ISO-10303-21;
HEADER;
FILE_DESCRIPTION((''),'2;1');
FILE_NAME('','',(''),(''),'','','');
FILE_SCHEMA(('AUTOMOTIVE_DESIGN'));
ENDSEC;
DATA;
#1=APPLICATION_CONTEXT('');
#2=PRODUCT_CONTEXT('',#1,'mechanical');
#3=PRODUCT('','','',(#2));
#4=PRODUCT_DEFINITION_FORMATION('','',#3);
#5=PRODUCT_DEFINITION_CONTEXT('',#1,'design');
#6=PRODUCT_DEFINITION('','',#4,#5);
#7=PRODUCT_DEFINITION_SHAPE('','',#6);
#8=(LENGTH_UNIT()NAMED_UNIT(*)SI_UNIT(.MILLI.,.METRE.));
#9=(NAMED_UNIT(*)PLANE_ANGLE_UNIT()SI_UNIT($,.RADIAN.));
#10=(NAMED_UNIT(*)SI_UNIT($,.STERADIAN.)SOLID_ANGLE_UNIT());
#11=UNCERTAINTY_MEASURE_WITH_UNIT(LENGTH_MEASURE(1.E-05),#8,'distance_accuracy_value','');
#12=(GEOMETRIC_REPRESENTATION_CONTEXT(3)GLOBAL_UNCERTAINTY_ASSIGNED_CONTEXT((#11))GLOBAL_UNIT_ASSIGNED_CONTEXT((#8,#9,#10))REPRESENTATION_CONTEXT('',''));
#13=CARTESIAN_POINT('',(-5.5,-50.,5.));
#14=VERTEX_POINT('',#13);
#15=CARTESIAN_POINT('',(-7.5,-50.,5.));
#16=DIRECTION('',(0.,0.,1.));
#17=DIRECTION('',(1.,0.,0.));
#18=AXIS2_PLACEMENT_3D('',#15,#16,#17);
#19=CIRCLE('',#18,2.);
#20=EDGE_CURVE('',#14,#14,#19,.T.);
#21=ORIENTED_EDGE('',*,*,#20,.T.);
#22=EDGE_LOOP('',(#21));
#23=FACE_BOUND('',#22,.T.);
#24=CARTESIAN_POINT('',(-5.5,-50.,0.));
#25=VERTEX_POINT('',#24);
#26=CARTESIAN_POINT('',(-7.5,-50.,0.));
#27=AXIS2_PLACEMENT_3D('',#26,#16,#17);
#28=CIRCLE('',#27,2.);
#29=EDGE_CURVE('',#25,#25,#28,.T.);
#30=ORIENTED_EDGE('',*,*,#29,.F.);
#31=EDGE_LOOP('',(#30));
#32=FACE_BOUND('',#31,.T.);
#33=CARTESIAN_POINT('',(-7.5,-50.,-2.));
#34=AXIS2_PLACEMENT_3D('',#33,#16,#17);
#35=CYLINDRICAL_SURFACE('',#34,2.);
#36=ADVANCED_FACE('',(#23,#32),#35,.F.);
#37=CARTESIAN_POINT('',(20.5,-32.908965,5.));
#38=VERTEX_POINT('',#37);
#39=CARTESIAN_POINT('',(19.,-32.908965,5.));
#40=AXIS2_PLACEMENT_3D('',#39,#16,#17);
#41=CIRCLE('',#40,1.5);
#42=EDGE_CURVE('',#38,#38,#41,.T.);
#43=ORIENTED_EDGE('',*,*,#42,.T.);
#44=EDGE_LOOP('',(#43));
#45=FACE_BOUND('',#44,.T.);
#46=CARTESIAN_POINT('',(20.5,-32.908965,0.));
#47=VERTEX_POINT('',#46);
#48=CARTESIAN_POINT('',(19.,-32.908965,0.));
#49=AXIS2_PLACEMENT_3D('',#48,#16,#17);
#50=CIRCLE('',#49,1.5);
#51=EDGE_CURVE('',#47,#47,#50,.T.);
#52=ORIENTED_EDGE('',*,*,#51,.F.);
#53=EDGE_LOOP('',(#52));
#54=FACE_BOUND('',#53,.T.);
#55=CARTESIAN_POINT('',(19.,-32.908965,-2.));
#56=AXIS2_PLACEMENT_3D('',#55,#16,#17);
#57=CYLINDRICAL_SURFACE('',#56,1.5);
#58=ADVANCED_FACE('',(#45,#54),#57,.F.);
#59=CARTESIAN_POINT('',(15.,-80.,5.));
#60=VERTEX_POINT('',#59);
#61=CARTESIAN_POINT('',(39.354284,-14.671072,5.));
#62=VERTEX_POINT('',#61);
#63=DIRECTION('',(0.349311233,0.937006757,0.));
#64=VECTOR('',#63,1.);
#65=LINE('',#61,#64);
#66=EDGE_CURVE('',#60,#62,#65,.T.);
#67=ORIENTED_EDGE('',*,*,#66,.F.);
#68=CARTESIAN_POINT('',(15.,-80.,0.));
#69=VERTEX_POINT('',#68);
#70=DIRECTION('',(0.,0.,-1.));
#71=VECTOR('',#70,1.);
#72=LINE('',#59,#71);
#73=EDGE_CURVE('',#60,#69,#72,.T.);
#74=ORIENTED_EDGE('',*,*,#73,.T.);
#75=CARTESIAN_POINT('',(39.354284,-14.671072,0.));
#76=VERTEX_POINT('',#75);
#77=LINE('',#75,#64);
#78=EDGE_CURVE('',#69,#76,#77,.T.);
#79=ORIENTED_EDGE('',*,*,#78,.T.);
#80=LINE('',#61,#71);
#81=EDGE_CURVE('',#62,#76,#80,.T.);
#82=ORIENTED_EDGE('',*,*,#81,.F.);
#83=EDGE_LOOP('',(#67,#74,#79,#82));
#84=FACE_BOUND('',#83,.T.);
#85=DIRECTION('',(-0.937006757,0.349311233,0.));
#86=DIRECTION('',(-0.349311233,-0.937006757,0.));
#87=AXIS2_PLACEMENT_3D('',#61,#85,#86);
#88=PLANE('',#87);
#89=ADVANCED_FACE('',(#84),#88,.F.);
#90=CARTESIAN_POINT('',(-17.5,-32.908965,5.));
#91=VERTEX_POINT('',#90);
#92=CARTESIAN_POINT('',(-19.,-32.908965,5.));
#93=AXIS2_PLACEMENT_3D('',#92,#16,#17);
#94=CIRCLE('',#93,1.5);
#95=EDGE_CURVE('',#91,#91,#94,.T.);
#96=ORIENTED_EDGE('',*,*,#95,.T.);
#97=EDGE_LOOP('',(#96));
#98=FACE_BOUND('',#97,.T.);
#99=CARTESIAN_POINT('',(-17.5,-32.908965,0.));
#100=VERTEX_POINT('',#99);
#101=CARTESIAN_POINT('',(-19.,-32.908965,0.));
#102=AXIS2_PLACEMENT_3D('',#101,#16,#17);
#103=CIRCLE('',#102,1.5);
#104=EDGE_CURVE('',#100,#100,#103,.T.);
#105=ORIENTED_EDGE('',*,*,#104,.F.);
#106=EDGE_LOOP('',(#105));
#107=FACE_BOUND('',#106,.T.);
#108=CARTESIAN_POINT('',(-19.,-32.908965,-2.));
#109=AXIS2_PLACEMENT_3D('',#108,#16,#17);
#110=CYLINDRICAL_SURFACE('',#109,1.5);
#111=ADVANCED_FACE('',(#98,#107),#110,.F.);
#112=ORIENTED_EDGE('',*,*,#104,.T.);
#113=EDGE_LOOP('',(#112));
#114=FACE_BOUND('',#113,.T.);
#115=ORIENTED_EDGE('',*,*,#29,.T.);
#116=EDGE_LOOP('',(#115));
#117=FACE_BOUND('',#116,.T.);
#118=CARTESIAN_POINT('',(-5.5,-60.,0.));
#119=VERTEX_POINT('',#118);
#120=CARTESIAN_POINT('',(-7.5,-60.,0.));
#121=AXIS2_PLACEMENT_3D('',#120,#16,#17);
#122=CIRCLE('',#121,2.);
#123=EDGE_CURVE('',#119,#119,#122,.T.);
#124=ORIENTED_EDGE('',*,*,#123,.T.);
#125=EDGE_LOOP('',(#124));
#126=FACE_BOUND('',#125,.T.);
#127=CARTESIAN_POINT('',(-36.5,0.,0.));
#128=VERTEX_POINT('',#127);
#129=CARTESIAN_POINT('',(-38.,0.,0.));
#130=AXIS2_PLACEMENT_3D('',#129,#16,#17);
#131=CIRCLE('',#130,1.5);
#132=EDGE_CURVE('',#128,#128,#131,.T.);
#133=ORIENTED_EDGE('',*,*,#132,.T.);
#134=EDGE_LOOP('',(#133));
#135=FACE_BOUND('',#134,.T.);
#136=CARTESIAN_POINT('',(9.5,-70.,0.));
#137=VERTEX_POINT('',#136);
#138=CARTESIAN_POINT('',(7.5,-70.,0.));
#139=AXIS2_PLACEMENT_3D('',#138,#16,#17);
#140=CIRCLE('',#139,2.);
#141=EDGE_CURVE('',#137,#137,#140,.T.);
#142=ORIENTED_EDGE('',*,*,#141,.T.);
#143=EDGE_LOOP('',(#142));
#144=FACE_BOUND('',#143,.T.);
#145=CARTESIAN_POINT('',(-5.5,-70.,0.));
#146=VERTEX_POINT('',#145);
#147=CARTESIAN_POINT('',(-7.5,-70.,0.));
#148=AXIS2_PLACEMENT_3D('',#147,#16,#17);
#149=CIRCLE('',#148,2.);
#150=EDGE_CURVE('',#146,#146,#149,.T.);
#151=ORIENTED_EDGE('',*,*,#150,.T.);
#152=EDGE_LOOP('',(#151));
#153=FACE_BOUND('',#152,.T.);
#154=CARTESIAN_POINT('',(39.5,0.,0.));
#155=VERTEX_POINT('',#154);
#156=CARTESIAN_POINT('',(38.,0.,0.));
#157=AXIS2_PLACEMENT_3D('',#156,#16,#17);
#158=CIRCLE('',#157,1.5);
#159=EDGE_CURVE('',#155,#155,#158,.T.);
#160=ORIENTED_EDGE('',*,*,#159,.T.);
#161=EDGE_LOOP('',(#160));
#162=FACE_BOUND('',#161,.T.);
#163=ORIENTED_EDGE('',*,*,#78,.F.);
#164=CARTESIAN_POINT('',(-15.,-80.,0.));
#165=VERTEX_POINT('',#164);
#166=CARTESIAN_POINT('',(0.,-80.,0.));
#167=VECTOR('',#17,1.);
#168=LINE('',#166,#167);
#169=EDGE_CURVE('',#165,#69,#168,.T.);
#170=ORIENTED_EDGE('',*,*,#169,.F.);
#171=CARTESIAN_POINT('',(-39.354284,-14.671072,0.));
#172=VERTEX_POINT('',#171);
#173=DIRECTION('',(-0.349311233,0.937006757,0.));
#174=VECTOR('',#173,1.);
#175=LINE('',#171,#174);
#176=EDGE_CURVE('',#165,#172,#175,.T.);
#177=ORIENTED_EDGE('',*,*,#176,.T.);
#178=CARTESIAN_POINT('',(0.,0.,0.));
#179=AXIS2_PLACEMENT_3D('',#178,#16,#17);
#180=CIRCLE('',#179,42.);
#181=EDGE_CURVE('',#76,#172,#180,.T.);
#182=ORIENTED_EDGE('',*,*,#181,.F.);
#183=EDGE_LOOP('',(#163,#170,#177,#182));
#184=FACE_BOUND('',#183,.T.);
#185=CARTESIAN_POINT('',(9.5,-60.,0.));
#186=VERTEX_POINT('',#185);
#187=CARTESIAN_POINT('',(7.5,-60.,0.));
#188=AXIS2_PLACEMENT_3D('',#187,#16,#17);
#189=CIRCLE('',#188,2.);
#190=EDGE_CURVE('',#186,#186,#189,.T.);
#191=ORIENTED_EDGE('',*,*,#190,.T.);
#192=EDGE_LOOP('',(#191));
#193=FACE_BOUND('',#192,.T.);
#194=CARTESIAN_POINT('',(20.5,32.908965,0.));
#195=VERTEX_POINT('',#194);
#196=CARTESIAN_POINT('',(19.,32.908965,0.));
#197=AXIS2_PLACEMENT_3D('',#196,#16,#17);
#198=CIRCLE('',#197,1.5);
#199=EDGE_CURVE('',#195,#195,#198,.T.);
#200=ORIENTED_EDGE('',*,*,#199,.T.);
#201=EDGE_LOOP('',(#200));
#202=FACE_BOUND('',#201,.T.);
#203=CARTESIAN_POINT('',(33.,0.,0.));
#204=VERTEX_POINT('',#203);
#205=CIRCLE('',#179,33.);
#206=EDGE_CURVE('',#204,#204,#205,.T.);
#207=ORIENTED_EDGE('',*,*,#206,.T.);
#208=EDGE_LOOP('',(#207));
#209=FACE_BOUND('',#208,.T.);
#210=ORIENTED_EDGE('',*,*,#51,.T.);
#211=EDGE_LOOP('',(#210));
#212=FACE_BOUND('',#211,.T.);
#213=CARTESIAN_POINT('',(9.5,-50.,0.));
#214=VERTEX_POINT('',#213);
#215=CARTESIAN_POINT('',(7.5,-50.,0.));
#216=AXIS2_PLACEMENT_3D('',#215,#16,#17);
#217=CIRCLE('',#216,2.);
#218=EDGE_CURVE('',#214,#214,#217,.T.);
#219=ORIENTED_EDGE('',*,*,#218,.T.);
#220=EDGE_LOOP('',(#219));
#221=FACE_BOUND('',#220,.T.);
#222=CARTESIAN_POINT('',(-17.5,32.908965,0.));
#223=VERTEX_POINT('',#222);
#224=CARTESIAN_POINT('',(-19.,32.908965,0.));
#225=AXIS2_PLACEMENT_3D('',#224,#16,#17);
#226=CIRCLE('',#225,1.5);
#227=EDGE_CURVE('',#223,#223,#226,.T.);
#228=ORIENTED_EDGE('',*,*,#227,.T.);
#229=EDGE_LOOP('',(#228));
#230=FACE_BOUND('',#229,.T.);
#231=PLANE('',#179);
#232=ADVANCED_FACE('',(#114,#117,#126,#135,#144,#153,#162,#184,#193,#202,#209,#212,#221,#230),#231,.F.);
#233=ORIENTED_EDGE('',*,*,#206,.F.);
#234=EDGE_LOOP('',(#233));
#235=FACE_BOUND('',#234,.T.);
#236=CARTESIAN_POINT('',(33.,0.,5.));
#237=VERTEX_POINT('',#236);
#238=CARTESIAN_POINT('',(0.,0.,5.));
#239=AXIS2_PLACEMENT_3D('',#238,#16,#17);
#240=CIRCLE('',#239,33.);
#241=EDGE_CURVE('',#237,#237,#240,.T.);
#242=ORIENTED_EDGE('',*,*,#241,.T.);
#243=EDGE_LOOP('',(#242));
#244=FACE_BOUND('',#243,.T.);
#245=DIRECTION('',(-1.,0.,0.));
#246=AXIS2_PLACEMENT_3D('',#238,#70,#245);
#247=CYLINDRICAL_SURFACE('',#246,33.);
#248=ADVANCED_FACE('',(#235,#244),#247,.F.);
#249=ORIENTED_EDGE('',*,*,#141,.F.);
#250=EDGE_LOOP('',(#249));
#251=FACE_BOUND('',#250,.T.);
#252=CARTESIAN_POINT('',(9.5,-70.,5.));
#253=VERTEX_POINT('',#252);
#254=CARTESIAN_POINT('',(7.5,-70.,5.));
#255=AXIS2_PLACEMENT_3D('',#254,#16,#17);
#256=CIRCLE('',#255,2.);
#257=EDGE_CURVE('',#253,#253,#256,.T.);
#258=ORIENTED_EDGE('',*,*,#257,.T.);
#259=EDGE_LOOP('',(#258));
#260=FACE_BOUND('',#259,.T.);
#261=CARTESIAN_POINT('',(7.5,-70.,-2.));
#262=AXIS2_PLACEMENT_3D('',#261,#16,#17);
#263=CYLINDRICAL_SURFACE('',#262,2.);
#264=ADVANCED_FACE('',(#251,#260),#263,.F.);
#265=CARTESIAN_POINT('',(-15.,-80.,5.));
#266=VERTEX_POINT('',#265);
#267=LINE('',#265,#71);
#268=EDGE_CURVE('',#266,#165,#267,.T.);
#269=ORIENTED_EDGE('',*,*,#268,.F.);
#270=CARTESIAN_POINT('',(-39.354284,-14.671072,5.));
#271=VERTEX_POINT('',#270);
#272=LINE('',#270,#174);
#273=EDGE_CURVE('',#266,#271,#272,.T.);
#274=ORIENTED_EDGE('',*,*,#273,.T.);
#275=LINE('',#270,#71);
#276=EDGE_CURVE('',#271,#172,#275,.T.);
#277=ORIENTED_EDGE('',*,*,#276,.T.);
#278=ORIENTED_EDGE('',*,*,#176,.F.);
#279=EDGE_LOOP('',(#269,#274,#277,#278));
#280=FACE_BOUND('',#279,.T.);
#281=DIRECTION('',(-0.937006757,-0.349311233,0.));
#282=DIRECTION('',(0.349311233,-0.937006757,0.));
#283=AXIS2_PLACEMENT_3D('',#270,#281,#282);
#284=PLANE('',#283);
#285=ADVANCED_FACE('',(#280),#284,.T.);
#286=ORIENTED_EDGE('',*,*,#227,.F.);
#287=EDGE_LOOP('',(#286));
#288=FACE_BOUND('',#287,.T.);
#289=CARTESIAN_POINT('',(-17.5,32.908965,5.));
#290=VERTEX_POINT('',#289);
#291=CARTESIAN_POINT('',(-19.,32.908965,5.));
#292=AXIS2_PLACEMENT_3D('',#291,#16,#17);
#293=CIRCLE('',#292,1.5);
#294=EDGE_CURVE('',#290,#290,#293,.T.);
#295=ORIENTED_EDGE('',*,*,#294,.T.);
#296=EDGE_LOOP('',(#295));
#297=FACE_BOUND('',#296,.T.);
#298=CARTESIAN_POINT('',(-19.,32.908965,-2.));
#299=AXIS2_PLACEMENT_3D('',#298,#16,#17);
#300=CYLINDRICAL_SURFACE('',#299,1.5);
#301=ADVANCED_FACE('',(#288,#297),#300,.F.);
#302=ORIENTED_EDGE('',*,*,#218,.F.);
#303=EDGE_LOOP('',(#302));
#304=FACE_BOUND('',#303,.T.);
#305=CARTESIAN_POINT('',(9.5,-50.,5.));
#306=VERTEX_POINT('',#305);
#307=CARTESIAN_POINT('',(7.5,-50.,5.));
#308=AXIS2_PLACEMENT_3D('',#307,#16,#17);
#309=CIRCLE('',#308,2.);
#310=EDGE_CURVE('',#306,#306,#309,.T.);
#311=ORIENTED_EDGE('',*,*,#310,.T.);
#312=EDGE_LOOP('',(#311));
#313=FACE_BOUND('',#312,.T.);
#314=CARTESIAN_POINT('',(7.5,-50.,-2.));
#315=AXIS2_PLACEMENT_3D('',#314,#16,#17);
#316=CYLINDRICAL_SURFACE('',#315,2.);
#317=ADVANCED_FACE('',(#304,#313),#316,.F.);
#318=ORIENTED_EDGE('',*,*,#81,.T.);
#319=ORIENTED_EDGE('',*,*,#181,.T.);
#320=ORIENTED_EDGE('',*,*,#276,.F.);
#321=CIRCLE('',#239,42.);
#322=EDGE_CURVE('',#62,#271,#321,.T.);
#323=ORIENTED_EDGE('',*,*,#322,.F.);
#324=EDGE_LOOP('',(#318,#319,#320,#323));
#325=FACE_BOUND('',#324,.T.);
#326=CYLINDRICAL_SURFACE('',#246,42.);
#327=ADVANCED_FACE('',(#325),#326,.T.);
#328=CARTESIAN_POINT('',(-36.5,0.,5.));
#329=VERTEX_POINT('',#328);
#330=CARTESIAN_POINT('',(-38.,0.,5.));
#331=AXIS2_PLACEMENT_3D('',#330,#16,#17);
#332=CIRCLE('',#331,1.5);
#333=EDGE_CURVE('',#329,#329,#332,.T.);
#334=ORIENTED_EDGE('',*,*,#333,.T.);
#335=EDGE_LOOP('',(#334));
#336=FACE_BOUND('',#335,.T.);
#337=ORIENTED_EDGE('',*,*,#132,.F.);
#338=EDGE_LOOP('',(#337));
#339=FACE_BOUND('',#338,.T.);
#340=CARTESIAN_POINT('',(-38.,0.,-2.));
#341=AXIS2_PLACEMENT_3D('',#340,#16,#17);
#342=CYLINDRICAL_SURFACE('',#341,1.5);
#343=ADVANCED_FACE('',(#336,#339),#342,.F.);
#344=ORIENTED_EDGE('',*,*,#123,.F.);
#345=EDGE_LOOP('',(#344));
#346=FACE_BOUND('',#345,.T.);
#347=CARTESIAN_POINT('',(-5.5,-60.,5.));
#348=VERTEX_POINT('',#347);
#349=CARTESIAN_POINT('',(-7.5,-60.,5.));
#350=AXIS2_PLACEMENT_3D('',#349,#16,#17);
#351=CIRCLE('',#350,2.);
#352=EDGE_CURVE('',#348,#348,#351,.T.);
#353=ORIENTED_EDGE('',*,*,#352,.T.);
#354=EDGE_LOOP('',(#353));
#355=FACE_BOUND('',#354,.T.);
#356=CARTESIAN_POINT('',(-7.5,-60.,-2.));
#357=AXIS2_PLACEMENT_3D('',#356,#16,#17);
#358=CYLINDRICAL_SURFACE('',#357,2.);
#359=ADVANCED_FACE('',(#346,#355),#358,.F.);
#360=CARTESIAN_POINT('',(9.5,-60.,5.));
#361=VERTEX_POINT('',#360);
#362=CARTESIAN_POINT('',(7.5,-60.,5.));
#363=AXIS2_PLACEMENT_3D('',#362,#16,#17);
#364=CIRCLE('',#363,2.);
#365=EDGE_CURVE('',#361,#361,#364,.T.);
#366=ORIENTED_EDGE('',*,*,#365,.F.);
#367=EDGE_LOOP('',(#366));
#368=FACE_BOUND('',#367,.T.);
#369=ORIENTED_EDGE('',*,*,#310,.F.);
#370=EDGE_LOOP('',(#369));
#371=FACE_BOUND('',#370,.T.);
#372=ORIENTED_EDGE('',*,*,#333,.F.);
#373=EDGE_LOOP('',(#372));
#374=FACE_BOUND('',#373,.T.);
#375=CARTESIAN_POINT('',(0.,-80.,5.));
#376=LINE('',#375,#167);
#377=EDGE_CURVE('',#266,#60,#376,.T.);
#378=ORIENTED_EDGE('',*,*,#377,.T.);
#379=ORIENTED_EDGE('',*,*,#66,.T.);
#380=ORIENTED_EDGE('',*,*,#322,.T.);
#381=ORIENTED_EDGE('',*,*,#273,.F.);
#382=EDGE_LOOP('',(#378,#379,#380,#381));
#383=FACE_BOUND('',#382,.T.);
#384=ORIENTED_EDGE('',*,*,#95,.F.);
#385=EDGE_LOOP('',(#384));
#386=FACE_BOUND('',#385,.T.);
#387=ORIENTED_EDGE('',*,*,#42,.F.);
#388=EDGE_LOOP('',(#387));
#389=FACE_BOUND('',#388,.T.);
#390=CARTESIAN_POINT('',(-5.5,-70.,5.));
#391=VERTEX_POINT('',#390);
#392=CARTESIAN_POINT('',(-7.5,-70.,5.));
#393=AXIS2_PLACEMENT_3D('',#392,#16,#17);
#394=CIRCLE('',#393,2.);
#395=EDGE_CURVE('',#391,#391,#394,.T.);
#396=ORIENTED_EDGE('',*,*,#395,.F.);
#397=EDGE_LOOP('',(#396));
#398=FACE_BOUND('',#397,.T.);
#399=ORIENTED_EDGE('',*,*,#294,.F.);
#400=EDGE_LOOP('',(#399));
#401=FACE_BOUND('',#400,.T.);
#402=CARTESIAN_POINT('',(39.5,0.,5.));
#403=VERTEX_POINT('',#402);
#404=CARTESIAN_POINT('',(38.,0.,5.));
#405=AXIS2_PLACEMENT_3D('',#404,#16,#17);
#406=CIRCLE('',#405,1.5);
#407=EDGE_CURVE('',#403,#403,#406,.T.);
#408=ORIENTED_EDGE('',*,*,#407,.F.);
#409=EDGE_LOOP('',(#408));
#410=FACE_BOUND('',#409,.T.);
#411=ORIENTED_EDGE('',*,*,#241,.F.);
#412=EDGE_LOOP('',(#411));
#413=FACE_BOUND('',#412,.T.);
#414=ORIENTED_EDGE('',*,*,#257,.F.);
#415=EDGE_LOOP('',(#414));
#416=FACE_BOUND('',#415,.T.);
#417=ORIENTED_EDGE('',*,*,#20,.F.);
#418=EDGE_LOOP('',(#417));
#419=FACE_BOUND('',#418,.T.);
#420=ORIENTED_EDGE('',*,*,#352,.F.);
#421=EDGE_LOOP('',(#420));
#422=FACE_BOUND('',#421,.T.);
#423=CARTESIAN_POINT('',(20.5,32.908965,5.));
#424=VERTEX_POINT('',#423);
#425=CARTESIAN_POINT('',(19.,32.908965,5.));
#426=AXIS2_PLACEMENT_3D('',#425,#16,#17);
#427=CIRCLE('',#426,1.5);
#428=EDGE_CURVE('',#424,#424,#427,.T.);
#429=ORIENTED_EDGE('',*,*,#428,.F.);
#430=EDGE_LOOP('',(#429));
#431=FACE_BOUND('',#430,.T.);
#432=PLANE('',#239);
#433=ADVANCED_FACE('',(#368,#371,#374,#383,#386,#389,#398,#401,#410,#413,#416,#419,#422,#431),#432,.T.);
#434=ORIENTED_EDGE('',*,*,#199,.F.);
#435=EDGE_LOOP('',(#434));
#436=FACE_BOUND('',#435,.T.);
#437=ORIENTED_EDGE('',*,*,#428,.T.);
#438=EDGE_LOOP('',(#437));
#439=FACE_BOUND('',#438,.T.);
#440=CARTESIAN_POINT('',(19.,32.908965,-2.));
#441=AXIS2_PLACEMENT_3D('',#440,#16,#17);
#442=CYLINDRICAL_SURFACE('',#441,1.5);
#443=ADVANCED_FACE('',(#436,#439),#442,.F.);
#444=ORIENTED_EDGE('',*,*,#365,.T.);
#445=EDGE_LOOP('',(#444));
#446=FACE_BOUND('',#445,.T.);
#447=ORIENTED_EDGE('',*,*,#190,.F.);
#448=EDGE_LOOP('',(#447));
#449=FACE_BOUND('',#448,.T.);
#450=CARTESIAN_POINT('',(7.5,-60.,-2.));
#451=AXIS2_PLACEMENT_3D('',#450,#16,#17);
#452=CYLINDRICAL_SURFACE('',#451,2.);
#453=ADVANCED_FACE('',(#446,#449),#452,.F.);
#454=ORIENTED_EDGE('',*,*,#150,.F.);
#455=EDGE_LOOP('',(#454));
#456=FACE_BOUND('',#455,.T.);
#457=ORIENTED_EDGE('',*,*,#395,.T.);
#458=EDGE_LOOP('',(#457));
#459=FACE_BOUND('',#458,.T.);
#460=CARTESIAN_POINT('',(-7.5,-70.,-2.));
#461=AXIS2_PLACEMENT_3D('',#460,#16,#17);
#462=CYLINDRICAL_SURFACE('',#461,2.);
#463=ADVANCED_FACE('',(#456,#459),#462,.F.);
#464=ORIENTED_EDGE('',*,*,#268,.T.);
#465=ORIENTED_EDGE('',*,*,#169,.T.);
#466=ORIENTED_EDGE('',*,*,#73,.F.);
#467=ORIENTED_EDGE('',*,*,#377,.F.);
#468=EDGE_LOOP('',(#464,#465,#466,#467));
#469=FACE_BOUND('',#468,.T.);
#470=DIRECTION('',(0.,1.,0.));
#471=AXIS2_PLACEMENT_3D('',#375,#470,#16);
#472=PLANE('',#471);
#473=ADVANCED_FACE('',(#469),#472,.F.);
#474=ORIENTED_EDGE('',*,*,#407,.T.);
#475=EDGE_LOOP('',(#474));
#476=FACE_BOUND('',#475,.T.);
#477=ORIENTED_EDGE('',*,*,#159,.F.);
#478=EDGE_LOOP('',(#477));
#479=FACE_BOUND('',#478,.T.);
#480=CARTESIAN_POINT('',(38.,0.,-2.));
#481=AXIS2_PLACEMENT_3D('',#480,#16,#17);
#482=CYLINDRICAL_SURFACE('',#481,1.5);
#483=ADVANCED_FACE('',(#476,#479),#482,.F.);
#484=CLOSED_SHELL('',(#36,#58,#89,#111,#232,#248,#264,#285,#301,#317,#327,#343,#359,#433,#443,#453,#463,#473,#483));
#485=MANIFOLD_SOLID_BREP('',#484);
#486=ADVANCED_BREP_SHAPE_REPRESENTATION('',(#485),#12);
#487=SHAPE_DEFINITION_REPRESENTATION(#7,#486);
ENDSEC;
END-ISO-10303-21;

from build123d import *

# Parameters (mm, degrees)
SKETCH1_R           = 42
SKETCH1_R_2         = 33
BOSS_EXTRUDE1_DEPTH = 5
SKETCH9_R           = 1.5
CUT_EXTRUDE5_DEPTH  = 7
SKETCH10_R          = 2
CUT_EXTRUDE6_DEPTH  = 7


with BuildPart() as part:
    # Sketch1 → Boss-Extrude1 (new body)
    # profile 1 of 2: a face of its own
    with BuildSketch(Plane.XY):
        Circle(SKETCH1_R)
        Circle(SKETCH1_R_2, mode=Mode.SUBTRACT)
    # profile 2 of 2: a face of its own
    with BuildSketch(Plane.XY):
        with BuildLine():
            Line((-15, -80), (15, -80))
            Line((15, -80), (39.354283789, -14.67107179))
            ThreePointArc((39.354283789, -14.67107179), (0, -42), (-39.354283789, -14.67107179))
            Line((-39.354283789, -14.67107179), (-15, -80))
        make_face()
    extrude(amount=BOSS_EXTRUDE1_DEPTH)

    # Sketch9 → Cut-Extrude5 (cut)
    with BuildSketch(Plane.XY.offset(5)):
        with Locations((19, 32.908965344)):
            Circle(SKETCH9_R)
        with Locations((38, 0)):
            Circle(SKETCH9_R)
        with Locations((19, -32.908965344)):
            Circle(SKETCH9_R)
        with Locations((-19, -32.908965344)):
            Circle(SKETCH9_R)
        with Locations((-38, 0)):
            Circle(SKETCH9_R)
        with Locations((-19, 32.908965344)):
            Circle(SKETCH9_R)
    extrude(amount=-CUT_EXTRUDE5_DEPTH, mode=Mode.SUBTRACT)

    # Sketch10 → Cut-Extrude6 (cut)
    with BuildSketch(Plane.XY.offset(5)):
        with Locations((7.5, -60)):
            Circle(SKETCH10_R)
        with Locations((7.5, -70)):
            Circle(SKETCH10_R)
        with Locations((-7.5, -70)):
            Circle(SKETCH10_R)
        with Locations((-7.5, -60)):
            Circle(SKETCH10_R)
        with Locations((-7.5, -50)):
            Circle(SKETCH10_R)
        with Locations((7.5, -50)):
            Circle(SKETCH10_R)
    extrude(amount=-CUT_EXTRUDE6_DEPTH, mode=Mode.SUBTRACT)


solid = part.part
